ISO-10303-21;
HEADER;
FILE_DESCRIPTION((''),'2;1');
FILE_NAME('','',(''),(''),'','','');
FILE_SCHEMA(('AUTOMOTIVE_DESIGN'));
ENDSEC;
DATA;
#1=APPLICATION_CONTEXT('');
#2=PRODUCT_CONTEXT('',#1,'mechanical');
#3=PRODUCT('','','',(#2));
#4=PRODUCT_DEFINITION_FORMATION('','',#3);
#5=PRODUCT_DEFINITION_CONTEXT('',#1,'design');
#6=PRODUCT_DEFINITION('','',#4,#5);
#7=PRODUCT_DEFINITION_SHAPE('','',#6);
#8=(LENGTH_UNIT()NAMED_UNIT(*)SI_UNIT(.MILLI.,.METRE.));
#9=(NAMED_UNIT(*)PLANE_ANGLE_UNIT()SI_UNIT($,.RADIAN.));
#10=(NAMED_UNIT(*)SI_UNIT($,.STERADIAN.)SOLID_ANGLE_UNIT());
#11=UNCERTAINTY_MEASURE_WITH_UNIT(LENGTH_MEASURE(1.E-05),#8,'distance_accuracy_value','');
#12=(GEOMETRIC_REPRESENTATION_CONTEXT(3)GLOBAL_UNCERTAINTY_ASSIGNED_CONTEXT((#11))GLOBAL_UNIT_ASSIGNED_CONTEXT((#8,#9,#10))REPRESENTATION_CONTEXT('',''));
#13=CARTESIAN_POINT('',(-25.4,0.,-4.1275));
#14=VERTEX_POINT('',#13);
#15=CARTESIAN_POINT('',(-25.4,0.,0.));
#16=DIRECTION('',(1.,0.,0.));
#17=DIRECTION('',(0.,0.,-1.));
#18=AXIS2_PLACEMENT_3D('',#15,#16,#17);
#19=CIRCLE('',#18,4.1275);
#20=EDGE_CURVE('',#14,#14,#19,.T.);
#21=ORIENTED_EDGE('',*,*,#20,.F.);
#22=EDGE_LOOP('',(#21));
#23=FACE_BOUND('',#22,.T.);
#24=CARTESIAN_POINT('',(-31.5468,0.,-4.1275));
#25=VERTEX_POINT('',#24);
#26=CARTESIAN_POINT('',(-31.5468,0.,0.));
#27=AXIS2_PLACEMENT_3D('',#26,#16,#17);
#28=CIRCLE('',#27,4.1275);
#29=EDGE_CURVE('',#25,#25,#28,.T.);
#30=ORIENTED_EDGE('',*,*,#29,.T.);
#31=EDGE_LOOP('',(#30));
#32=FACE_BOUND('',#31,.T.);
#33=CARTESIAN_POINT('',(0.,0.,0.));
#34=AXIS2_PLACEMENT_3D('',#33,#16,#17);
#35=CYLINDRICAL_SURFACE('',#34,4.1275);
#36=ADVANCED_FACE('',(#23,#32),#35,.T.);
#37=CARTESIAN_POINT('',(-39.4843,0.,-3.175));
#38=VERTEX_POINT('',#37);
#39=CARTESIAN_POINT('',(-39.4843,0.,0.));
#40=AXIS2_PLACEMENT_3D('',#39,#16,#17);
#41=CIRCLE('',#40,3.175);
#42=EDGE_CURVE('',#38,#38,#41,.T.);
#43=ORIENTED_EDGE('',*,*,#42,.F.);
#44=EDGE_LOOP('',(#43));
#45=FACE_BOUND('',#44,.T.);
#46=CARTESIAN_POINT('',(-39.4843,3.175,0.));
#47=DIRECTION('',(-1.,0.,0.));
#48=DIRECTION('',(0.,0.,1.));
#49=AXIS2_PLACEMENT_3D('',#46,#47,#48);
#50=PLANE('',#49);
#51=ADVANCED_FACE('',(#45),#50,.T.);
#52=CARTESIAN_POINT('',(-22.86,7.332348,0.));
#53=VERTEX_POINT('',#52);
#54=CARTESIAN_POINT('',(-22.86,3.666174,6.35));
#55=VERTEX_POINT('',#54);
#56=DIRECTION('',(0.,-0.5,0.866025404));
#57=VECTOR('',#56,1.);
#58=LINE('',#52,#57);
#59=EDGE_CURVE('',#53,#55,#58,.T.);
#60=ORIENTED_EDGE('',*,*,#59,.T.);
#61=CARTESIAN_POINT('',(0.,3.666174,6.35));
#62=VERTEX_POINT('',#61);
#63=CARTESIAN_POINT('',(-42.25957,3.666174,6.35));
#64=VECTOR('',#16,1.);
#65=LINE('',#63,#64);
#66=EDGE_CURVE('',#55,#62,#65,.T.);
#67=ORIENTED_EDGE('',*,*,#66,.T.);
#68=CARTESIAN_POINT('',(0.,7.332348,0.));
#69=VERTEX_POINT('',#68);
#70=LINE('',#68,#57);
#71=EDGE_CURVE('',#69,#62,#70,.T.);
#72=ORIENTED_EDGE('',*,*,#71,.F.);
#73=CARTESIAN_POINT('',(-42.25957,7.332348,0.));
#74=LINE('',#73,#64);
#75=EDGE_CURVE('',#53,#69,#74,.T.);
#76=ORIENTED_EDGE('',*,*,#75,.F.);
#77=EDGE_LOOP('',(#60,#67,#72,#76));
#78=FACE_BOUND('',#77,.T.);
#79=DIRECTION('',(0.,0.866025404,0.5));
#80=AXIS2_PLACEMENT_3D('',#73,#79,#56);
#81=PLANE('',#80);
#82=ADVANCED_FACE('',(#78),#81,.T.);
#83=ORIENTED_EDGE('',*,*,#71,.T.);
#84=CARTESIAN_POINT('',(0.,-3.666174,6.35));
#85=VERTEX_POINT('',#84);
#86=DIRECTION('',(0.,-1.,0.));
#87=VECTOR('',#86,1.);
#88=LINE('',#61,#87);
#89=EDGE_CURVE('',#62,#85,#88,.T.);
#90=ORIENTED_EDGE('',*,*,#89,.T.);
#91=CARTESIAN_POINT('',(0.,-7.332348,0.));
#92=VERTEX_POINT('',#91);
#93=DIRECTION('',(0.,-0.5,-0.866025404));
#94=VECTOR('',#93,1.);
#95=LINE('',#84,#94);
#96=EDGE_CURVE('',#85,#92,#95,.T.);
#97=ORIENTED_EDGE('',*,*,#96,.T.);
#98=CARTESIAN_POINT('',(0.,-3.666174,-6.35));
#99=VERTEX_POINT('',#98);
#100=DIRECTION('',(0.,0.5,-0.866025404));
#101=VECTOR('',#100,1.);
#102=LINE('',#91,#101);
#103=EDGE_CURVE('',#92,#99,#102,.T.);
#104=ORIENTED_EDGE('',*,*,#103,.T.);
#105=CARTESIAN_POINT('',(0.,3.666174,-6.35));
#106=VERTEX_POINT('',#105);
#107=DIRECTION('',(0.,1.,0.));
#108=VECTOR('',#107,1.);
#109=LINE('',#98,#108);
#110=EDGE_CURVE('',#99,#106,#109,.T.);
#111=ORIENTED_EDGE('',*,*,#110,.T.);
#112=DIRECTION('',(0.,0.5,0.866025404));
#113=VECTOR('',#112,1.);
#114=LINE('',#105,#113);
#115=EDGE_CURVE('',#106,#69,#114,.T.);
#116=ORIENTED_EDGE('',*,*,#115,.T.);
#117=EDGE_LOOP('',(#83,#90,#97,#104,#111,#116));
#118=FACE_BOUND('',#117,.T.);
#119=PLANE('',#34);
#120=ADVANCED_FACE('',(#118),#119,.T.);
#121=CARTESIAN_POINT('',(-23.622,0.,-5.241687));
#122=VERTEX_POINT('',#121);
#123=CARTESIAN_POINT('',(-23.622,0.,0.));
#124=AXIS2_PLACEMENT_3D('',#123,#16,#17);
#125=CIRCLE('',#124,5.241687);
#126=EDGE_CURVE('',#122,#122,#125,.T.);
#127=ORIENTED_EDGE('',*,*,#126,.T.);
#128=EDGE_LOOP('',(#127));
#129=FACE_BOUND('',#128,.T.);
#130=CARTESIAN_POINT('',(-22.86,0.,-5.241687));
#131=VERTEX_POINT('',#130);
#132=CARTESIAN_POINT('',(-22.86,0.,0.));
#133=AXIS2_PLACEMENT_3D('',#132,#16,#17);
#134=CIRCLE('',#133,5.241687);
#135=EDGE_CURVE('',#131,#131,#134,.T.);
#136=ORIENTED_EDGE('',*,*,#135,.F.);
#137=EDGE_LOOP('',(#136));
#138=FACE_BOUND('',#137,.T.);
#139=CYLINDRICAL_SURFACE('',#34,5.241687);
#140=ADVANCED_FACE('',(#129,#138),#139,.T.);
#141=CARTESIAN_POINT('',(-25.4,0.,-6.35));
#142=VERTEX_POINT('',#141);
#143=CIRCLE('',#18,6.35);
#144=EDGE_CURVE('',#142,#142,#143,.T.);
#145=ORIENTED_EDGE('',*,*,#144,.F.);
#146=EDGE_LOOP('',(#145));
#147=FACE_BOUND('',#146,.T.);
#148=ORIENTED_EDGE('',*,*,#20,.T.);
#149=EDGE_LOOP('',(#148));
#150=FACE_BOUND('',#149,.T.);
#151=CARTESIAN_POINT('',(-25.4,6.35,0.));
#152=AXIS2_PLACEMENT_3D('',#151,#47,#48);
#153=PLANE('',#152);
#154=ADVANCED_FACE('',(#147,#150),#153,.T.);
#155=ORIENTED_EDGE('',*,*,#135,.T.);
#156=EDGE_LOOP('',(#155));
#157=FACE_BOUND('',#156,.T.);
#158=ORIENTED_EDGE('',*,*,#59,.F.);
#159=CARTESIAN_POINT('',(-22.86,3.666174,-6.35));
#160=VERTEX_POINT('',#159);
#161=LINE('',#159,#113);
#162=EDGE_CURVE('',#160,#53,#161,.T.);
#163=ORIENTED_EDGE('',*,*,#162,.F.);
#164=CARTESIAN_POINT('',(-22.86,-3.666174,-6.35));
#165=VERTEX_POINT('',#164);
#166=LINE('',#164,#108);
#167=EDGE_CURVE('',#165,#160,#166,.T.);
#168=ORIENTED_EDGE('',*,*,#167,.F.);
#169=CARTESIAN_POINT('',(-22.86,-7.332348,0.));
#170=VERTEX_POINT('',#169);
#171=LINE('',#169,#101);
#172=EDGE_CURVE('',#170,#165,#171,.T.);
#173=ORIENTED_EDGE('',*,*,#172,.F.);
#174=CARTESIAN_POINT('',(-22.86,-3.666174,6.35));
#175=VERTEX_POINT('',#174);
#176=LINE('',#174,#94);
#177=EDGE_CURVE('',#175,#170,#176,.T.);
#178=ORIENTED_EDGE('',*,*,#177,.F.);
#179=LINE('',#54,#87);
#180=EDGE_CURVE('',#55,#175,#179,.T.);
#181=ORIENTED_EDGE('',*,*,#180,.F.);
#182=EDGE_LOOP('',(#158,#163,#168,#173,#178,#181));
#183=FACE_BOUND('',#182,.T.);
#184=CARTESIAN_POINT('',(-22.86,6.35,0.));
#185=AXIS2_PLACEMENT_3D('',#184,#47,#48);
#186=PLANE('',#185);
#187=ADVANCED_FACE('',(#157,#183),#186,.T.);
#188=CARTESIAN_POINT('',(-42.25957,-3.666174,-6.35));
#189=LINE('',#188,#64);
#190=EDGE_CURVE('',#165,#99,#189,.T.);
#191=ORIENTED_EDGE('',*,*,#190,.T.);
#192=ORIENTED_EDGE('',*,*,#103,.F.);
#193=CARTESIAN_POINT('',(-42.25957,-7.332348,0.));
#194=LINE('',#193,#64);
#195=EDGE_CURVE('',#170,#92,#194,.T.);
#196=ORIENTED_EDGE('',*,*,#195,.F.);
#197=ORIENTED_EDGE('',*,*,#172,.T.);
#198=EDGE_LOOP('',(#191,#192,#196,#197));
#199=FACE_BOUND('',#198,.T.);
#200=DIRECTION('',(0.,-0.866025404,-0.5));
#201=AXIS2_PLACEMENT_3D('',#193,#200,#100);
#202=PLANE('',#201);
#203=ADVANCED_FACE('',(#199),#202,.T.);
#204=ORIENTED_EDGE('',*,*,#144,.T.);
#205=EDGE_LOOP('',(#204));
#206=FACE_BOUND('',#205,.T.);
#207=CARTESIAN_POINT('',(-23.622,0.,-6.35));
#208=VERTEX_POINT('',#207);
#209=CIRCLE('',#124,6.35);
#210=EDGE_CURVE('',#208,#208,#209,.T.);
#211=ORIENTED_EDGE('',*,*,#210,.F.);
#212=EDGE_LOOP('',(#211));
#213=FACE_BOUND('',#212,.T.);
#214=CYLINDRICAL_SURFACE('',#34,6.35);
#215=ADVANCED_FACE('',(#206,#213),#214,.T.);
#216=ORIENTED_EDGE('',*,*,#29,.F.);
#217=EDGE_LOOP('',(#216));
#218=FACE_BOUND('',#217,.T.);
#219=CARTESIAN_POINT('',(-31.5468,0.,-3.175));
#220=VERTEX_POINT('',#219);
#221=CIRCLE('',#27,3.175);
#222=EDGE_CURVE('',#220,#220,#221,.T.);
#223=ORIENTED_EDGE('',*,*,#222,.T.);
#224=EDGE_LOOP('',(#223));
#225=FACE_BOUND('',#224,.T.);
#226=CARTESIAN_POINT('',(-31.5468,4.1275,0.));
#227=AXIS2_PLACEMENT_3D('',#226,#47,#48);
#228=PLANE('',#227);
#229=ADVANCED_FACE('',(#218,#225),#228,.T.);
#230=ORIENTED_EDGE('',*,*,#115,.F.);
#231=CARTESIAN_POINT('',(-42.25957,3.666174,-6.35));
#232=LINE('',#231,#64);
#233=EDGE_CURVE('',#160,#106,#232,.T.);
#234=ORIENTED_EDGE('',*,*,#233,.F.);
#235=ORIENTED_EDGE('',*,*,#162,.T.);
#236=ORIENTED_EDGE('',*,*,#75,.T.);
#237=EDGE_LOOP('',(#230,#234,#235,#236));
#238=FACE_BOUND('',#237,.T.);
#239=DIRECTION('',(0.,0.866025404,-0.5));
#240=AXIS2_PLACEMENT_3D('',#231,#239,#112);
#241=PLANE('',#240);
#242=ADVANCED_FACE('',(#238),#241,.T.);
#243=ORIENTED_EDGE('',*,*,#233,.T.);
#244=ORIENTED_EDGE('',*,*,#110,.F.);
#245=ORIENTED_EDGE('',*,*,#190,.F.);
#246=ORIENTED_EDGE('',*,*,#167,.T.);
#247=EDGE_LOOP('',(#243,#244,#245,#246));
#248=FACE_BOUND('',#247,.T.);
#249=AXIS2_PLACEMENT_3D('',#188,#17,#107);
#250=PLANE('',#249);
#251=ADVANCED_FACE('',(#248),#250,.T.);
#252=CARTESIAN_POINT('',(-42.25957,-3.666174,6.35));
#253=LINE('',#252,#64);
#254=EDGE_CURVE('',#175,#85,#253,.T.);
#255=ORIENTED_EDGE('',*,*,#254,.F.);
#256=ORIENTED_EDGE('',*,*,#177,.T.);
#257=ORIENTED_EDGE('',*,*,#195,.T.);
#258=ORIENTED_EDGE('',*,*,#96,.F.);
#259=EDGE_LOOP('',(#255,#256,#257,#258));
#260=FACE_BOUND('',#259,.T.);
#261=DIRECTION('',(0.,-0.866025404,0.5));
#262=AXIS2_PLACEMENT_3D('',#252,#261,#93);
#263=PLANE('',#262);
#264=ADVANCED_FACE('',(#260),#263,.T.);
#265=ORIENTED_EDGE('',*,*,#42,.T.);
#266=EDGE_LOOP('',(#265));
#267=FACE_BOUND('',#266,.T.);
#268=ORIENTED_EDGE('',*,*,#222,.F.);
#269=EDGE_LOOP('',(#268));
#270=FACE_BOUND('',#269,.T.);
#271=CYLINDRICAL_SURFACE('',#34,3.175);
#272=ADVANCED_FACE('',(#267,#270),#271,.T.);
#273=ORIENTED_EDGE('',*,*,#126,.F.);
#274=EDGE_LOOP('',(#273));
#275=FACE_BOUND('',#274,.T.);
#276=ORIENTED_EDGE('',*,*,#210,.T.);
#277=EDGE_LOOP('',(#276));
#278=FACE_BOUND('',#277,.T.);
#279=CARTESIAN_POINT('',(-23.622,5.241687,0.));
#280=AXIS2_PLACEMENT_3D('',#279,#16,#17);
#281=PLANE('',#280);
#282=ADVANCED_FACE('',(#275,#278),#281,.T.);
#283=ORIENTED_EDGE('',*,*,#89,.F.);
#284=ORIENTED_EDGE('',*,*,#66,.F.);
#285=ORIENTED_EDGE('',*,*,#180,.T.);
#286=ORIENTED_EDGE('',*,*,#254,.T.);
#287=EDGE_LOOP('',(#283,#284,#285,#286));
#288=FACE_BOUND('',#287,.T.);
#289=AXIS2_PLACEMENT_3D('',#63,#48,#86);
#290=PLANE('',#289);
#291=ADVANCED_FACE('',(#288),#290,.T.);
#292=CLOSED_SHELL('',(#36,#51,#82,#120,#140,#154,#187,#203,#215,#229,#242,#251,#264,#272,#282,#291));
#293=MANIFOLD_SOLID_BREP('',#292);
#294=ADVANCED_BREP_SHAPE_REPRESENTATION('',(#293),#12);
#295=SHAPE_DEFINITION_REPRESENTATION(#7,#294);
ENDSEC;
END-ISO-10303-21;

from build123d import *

# Parameters (mm, degrees)
BOSS_EXTRUDE1_DEPTH = 22.86


with BuildPart() as part:
    # Sketch1 → Revolve1 (revolve)
    with BuildSketch(Plane.XY, mode=Mode.PRIVATE) as revolve1_sk:
        Polygon((0, 0), (0, 6.35), (-22.86, 6.35), (-22.86, 5.241687437), (-23.622, 5.241687437), (-23.622, 6.35), (-25.4, 6.35), (-25.4, 4.1275), (-31.5468, 4.1275), (-31.5468, 3.175), (-39.4843, 3.175), (-39.4843, 0), align=None)
    revolve(revolve1_sk.sketch.rotate(Axis((0, 0, 0), (-1, 0, 0)), 90), axis=Axis((0, 0, 0), (-1, 0, 0)))

    # Sketch2 → Boss-Extrude1 (add)
    with BuildSketch(Plane(origin=(0, 0, 0), x_dir=(0, 0, -1), z_dir=(1, 0, 0))):
        Polygon((-6.35, 3.666174209), (-6.35, -3.666174209), (0, -7.332348419), (6.35, -3.666174209), (6.35, 3.666174209), (0, 7.332348419), align=None)
    extrude(amount=-BOSS_EXTRUDE1_DEPTH)


solid = part.part
